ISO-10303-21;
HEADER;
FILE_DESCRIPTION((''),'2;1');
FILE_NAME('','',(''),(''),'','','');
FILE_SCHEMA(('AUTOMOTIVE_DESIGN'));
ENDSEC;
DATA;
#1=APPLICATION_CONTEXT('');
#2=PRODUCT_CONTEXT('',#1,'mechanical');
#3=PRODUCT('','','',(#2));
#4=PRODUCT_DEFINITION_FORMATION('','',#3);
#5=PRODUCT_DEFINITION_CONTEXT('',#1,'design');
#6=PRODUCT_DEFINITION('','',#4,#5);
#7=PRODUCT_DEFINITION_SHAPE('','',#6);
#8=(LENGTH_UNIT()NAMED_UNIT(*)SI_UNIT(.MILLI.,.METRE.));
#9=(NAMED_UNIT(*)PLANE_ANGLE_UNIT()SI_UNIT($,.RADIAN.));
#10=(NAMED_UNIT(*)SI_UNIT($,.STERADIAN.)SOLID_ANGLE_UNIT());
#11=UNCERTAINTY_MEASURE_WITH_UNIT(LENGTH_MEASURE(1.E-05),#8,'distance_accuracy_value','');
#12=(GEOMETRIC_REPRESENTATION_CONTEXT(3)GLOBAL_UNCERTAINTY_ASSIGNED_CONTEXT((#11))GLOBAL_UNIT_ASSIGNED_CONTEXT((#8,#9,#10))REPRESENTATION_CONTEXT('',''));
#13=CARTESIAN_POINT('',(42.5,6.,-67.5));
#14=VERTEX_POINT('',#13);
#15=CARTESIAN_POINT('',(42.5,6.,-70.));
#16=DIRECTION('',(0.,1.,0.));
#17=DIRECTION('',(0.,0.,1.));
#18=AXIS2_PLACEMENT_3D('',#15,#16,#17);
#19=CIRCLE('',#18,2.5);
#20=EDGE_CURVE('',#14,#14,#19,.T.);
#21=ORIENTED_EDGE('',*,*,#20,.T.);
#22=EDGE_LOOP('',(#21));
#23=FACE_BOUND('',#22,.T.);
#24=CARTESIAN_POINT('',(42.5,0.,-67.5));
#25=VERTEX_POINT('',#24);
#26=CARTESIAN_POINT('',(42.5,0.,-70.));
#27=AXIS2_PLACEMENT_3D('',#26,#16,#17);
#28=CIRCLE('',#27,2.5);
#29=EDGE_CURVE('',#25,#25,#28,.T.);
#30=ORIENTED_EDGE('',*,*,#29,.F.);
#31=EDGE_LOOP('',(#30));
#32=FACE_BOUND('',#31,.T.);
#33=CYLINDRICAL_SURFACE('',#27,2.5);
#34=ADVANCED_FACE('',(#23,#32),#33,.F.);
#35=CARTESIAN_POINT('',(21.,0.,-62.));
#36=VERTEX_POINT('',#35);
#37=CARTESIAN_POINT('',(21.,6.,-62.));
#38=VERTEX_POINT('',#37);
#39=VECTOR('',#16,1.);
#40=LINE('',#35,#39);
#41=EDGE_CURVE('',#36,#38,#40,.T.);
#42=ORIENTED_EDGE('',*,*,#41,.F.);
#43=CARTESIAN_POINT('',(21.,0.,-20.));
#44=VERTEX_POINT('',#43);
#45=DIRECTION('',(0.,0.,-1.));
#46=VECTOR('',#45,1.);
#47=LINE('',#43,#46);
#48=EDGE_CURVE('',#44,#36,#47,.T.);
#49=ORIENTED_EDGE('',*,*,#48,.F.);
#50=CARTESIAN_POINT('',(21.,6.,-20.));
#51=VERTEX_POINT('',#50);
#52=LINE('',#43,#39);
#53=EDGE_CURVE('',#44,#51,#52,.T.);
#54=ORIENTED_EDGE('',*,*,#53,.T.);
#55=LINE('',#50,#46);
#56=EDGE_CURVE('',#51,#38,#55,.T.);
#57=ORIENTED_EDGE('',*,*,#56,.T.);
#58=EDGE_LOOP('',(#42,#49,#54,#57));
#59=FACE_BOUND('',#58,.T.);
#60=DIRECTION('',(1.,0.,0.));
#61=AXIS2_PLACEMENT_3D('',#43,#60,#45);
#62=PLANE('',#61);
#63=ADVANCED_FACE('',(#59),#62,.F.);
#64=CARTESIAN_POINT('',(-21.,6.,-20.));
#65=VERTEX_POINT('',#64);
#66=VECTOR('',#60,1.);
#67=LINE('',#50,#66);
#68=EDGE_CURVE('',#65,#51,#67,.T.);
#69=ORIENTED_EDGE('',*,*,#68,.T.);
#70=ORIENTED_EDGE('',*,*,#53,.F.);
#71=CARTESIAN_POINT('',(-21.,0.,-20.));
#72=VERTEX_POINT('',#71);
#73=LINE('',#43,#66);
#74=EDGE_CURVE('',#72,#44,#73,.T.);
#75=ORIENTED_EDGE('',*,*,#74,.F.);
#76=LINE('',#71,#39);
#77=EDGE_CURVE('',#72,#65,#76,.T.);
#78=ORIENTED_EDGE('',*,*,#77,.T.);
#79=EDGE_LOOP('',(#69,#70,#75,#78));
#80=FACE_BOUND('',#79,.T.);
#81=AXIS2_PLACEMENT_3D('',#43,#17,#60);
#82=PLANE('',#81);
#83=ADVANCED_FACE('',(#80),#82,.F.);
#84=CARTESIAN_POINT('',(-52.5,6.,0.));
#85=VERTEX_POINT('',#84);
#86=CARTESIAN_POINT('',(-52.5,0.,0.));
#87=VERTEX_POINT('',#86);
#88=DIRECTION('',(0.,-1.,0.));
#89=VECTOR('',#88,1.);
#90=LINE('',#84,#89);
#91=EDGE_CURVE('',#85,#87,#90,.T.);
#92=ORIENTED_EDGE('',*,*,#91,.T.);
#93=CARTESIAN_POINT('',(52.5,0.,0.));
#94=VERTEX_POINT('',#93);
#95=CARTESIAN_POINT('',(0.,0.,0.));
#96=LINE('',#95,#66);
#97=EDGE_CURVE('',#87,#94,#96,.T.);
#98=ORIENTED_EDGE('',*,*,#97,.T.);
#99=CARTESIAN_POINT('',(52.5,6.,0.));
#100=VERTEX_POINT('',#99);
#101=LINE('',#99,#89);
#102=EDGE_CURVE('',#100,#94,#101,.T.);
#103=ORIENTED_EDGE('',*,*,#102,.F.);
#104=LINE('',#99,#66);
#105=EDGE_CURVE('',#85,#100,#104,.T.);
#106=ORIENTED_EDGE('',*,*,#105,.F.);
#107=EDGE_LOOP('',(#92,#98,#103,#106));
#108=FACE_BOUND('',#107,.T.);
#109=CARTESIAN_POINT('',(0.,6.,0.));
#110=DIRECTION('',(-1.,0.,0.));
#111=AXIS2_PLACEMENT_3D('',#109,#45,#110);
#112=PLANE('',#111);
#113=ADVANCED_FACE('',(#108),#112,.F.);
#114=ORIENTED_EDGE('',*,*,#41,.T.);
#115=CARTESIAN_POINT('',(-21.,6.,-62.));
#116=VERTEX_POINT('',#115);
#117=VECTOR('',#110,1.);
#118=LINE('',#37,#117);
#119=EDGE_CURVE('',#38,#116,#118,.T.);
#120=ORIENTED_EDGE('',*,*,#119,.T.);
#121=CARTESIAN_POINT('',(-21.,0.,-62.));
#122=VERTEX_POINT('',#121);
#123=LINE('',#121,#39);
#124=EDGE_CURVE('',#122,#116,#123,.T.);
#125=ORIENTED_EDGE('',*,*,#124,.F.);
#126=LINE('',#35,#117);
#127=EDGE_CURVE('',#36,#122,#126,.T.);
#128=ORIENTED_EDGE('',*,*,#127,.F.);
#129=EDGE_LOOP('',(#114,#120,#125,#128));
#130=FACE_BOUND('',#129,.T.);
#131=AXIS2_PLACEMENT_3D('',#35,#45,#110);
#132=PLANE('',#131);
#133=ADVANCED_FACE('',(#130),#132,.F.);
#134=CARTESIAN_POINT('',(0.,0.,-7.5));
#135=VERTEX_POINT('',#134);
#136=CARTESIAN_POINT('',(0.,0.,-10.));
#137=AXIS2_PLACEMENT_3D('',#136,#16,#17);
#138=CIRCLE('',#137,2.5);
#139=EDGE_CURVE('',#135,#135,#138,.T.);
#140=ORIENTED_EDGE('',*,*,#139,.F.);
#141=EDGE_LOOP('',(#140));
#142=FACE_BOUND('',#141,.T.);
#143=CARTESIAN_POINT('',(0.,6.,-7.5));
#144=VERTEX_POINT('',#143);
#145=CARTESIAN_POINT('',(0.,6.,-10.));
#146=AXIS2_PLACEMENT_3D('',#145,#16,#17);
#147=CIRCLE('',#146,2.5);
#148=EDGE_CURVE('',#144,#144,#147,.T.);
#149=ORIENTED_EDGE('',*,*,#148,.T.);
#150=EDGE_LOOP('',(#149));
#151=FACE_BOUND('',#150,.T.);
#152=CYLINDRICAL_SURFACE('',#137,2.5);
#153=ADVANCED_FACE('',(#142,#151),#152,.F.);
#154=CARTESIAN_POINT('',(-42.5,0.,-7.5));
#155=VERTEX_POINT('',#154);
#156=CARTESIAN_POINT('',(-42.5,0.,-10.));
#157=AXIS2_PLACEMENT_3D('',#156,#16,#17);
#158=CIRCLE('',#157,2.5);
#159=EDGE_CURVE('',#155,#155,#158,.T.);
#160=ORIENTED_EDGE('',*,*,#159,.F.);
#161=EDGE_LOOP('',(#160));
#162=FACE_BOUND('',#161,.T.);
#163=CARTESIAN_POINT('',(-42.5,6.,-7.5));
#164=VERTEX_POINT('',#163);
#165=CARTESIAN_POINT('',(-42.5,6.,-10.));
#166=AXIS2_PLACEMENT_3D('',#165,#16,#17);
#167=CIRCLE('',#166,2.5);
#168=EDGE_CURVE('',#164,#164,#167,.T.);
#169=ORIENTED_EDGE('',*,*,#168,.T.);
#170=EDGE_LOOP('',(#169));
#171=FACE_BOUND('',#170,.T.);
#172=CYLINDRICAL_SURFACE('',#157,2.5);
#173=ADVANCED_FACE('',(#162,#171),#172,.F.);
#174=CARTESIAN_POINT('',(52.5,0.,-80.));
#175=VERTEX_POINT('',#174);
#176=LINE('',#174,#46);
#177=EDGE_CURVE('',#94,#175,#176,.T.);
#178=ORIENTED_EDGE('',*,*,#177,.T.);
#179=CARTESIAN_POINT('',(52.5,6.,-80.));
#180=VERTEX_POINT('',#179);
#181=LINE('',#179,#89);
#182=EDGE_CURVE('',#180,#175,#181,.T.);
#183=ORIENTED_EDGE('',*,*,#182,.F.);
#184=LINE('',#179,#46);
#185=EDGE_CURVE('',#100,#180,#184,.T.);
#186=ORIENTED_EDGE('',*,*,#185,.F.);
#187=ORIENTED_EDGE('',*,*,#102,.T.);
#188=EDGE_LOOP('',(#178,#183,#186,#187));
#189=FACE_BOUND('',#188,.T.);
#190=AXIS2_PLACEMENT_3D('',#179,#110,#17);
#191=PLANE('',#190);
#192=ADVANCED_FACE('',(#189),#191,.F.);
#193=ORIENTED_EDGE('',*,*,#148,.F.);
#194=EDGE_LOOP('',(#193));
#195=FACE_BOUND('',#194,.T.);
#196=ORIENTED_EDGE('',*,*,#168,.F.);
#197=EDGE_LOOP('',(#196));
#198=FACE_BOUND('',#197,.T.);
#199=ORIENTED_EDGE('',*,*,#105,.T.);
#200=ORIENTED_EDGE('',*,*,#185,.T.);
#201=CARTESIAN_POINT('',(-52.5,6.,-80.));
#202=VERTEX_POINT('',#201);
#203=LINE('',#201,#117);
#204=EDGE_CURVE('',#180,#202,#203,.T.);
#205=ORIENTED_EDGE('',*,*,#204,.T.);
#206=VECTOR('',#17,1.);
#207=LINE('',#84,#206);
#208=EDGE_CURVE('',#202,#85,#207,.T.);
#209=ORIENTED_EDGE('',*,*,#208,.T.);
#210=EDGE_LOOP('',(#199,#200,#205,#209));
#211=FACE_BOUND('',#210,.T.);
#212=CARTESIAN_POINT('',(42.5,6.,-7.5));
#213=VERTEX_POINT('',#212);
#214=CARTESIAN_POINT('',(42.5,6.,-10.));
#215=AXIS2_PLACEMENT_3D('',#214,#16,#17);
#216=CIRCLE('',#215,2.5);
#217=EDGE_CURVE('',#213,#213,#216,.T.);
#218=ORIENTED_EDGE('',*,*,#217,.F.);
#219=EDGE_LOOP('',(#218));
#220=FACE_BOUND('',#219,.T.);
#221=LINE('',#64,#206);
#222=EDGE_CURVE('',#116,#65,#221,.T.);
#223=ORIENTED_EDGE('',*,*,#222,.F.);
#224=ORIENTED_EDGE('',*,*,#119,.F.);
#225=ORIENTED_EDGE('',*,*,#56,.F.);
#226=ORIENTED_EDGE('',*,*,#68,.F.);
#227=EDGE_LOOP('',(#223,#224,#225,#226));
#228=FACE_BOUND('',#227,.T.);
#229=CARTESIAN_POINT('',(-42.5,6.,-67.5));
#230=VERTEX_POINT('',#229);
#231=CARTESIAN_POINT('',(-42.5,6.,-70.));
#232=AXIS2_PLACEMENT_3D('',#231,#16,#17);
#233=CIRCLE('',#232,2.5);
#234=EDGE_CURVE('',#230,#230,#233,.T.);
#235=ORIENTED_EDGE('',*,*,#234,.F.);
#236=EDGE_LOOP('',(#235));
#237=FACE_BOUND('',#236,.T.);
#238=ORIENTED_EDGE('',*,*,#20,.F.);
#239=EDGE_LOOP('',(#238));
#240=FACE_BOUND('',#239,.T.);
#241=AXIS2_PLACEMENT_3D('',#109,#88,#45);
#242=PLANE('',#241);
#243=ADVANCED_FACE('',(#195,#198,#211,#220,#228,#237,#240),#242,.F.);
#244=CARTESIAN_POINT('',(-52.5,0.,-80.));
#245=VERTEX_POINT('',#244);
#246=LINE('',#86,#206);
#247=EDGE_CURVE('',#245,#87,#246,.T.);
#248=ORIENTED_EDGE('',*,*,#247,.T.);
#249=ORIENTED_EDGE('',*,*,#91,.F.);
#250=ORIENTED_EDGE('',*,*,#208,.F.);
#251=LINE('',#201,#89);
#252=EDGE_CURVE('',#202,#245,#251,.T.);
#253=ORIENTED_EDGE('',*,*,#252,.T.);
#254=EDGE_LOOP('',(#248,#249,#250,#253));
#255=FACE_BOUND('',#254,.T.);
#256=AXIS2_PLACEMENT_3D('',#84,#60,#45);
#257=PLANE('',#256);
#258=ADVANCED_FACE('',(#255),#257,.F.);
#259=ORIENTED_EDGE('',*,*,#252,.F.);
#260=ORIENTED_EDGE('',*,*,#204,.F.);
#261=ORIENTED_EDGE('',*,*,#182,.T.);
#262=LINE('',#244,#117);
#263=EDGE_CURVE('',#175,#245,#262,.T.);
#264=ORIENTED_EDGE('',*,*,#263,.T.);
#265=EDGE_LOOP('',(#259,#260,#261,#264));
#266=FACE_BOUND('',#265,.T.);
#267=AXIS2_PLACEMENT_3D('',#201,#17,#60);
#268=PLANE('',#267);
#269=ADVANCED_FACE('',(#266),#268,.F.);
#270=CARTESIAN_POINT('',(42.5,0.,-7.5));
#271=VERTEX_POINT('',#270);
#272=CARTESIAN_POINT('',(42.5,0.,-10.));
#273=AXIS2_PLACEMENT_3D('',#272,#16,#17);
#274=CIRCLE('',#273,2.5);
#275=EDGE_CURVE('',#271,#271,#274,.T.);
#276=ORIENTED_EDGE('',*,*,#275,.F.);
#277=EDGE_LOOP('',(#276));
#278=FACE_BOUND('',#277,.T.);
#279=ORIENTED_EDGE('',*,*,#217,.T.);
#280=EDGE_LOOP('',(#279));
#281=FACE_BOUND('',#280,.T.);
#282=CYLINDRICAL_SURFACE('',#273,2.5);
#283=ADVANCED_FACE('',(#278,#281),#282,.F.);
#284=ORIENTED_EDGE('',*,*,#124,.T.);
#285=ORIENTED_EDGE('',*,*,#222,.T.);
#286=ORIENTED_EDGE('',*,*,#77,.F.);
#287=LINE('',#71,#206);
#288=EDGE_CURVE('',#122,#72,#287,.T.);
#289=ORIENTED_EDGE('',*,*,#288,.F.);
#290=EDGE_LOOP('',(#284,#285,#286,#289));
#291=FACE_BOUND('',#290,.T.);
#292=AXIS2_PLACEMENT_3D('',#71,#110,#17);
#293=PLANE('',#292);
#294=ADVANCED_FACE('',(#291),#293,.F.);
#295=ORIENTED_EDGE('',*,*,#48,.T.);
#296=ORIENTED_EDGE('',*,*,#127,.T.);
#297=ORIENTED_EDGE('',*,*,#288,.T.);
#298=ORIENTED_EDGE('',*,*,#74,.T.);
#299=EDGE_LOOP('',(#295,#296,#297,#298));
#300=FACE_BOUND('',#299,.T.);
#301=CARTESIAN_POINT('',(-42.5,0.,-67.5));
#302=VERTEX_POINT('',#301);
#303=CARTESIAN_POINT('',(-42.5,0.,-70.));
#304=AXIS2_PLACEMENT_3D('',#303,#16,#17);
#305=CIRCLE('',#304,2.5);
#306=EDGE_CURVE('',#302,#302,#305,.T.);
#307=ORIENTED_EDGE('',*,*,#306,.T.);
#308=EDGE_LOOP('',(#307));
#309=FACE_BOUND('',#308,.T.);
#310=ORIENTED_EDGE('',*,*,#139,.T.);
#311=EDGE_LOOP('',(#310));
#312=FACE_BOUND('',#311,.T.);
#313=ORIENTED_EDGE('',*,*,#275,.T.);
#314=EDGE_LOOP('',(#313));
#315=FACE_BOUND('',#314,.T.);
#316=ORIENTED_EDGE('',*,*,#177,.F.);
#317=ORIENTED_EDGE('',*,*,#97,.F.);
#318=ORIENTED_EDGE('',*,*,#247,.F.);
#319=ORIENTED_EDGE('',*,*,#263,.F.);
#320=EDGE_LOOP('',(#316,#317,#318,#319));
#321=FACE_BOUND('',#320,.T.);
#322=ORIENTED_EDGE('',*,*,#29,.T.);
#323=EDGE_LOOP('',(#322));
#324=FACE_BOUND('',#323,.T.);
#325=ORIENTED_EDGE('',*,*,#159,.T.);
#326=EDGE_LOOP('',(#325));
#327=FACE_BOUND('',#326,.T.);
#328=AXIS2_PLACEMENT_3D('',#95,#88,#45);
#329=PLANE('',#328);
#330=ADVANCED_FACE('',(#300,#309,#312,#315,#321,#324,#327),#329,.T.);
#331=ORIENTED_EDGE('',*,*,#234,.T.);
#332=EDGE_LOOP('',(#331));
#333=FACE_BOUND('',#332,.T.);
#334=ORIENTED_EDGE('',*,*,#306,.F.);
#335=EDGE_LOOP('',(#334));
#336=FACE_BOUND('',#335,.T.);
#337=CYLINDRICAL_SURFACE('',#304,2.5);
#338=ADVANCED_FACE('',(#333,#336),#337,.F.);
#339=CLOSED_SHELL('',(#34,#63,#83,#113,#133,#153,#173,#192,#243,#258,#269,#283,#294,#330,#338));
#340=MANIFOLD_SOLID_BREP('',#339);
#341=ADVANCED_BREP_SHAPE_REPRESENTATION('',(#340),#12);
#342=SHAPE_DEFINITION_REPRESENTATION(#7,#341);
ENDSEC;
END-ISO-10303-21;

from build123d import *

# Parameters (mm, degrees)
BOSS_EXTRUDE1_DEPTH = 6
SKETCH2_R           = 2.5
SKETCH2_W           = 42
SKETCH2_H           = 42
CUT_EXTRUDE1_DEPTH  = 96.876222287


with BuildPart() as part:
    # Sketch1 → Boss-Extrude1 (new body)
    with BuildSketch(Plane(origin=(0, 0, 0), x_dir=(1, 0, 0), z_dir=(0, 1, 0))):
        Polygon((0, 0), (-52.5, 0), (-52.5, 80), (52.5, 80), (52.5, 0), align=None)
    extrude(amount=BOSS_EXTRUDE1_DEPTH)

    # Sketch2 → Cut-Extrude1 (cut, through all)
    with BuildSketch(Plane(origin=(0, 6, 0), x_dir=(1, 0, 0), z_dir=(0, 1, 0))):
        with Locations(Location((-42.5, 70, 0), (0, 0, 270))):
            Circle(SKETCH2_R)
        with Locations(Location((42.5, 70, 0), (0, 0, 270))):
            Circle(SKETCH2_R)
        with Locations(Location((42.5, 10, 0), (0, 0, 270))):
            Circle(SKETCH2_R)
        with Locations(Location((0, 10, 0), (0, 0, 270))):
            Circle(SKETCH2_R)
        with Locations(Location((-42.5, 10, 0), (0, 0, 270))):
            Circle(SKETCH2_R)
        with Locations((0, 41)):
            Rectangle(SKETCH2_W, SKETCH2_H)
    extrude(amount=-CUT_EXTRUDE1_DEPTH, mode=Mode.SUBTRACT)


solid = part.part
